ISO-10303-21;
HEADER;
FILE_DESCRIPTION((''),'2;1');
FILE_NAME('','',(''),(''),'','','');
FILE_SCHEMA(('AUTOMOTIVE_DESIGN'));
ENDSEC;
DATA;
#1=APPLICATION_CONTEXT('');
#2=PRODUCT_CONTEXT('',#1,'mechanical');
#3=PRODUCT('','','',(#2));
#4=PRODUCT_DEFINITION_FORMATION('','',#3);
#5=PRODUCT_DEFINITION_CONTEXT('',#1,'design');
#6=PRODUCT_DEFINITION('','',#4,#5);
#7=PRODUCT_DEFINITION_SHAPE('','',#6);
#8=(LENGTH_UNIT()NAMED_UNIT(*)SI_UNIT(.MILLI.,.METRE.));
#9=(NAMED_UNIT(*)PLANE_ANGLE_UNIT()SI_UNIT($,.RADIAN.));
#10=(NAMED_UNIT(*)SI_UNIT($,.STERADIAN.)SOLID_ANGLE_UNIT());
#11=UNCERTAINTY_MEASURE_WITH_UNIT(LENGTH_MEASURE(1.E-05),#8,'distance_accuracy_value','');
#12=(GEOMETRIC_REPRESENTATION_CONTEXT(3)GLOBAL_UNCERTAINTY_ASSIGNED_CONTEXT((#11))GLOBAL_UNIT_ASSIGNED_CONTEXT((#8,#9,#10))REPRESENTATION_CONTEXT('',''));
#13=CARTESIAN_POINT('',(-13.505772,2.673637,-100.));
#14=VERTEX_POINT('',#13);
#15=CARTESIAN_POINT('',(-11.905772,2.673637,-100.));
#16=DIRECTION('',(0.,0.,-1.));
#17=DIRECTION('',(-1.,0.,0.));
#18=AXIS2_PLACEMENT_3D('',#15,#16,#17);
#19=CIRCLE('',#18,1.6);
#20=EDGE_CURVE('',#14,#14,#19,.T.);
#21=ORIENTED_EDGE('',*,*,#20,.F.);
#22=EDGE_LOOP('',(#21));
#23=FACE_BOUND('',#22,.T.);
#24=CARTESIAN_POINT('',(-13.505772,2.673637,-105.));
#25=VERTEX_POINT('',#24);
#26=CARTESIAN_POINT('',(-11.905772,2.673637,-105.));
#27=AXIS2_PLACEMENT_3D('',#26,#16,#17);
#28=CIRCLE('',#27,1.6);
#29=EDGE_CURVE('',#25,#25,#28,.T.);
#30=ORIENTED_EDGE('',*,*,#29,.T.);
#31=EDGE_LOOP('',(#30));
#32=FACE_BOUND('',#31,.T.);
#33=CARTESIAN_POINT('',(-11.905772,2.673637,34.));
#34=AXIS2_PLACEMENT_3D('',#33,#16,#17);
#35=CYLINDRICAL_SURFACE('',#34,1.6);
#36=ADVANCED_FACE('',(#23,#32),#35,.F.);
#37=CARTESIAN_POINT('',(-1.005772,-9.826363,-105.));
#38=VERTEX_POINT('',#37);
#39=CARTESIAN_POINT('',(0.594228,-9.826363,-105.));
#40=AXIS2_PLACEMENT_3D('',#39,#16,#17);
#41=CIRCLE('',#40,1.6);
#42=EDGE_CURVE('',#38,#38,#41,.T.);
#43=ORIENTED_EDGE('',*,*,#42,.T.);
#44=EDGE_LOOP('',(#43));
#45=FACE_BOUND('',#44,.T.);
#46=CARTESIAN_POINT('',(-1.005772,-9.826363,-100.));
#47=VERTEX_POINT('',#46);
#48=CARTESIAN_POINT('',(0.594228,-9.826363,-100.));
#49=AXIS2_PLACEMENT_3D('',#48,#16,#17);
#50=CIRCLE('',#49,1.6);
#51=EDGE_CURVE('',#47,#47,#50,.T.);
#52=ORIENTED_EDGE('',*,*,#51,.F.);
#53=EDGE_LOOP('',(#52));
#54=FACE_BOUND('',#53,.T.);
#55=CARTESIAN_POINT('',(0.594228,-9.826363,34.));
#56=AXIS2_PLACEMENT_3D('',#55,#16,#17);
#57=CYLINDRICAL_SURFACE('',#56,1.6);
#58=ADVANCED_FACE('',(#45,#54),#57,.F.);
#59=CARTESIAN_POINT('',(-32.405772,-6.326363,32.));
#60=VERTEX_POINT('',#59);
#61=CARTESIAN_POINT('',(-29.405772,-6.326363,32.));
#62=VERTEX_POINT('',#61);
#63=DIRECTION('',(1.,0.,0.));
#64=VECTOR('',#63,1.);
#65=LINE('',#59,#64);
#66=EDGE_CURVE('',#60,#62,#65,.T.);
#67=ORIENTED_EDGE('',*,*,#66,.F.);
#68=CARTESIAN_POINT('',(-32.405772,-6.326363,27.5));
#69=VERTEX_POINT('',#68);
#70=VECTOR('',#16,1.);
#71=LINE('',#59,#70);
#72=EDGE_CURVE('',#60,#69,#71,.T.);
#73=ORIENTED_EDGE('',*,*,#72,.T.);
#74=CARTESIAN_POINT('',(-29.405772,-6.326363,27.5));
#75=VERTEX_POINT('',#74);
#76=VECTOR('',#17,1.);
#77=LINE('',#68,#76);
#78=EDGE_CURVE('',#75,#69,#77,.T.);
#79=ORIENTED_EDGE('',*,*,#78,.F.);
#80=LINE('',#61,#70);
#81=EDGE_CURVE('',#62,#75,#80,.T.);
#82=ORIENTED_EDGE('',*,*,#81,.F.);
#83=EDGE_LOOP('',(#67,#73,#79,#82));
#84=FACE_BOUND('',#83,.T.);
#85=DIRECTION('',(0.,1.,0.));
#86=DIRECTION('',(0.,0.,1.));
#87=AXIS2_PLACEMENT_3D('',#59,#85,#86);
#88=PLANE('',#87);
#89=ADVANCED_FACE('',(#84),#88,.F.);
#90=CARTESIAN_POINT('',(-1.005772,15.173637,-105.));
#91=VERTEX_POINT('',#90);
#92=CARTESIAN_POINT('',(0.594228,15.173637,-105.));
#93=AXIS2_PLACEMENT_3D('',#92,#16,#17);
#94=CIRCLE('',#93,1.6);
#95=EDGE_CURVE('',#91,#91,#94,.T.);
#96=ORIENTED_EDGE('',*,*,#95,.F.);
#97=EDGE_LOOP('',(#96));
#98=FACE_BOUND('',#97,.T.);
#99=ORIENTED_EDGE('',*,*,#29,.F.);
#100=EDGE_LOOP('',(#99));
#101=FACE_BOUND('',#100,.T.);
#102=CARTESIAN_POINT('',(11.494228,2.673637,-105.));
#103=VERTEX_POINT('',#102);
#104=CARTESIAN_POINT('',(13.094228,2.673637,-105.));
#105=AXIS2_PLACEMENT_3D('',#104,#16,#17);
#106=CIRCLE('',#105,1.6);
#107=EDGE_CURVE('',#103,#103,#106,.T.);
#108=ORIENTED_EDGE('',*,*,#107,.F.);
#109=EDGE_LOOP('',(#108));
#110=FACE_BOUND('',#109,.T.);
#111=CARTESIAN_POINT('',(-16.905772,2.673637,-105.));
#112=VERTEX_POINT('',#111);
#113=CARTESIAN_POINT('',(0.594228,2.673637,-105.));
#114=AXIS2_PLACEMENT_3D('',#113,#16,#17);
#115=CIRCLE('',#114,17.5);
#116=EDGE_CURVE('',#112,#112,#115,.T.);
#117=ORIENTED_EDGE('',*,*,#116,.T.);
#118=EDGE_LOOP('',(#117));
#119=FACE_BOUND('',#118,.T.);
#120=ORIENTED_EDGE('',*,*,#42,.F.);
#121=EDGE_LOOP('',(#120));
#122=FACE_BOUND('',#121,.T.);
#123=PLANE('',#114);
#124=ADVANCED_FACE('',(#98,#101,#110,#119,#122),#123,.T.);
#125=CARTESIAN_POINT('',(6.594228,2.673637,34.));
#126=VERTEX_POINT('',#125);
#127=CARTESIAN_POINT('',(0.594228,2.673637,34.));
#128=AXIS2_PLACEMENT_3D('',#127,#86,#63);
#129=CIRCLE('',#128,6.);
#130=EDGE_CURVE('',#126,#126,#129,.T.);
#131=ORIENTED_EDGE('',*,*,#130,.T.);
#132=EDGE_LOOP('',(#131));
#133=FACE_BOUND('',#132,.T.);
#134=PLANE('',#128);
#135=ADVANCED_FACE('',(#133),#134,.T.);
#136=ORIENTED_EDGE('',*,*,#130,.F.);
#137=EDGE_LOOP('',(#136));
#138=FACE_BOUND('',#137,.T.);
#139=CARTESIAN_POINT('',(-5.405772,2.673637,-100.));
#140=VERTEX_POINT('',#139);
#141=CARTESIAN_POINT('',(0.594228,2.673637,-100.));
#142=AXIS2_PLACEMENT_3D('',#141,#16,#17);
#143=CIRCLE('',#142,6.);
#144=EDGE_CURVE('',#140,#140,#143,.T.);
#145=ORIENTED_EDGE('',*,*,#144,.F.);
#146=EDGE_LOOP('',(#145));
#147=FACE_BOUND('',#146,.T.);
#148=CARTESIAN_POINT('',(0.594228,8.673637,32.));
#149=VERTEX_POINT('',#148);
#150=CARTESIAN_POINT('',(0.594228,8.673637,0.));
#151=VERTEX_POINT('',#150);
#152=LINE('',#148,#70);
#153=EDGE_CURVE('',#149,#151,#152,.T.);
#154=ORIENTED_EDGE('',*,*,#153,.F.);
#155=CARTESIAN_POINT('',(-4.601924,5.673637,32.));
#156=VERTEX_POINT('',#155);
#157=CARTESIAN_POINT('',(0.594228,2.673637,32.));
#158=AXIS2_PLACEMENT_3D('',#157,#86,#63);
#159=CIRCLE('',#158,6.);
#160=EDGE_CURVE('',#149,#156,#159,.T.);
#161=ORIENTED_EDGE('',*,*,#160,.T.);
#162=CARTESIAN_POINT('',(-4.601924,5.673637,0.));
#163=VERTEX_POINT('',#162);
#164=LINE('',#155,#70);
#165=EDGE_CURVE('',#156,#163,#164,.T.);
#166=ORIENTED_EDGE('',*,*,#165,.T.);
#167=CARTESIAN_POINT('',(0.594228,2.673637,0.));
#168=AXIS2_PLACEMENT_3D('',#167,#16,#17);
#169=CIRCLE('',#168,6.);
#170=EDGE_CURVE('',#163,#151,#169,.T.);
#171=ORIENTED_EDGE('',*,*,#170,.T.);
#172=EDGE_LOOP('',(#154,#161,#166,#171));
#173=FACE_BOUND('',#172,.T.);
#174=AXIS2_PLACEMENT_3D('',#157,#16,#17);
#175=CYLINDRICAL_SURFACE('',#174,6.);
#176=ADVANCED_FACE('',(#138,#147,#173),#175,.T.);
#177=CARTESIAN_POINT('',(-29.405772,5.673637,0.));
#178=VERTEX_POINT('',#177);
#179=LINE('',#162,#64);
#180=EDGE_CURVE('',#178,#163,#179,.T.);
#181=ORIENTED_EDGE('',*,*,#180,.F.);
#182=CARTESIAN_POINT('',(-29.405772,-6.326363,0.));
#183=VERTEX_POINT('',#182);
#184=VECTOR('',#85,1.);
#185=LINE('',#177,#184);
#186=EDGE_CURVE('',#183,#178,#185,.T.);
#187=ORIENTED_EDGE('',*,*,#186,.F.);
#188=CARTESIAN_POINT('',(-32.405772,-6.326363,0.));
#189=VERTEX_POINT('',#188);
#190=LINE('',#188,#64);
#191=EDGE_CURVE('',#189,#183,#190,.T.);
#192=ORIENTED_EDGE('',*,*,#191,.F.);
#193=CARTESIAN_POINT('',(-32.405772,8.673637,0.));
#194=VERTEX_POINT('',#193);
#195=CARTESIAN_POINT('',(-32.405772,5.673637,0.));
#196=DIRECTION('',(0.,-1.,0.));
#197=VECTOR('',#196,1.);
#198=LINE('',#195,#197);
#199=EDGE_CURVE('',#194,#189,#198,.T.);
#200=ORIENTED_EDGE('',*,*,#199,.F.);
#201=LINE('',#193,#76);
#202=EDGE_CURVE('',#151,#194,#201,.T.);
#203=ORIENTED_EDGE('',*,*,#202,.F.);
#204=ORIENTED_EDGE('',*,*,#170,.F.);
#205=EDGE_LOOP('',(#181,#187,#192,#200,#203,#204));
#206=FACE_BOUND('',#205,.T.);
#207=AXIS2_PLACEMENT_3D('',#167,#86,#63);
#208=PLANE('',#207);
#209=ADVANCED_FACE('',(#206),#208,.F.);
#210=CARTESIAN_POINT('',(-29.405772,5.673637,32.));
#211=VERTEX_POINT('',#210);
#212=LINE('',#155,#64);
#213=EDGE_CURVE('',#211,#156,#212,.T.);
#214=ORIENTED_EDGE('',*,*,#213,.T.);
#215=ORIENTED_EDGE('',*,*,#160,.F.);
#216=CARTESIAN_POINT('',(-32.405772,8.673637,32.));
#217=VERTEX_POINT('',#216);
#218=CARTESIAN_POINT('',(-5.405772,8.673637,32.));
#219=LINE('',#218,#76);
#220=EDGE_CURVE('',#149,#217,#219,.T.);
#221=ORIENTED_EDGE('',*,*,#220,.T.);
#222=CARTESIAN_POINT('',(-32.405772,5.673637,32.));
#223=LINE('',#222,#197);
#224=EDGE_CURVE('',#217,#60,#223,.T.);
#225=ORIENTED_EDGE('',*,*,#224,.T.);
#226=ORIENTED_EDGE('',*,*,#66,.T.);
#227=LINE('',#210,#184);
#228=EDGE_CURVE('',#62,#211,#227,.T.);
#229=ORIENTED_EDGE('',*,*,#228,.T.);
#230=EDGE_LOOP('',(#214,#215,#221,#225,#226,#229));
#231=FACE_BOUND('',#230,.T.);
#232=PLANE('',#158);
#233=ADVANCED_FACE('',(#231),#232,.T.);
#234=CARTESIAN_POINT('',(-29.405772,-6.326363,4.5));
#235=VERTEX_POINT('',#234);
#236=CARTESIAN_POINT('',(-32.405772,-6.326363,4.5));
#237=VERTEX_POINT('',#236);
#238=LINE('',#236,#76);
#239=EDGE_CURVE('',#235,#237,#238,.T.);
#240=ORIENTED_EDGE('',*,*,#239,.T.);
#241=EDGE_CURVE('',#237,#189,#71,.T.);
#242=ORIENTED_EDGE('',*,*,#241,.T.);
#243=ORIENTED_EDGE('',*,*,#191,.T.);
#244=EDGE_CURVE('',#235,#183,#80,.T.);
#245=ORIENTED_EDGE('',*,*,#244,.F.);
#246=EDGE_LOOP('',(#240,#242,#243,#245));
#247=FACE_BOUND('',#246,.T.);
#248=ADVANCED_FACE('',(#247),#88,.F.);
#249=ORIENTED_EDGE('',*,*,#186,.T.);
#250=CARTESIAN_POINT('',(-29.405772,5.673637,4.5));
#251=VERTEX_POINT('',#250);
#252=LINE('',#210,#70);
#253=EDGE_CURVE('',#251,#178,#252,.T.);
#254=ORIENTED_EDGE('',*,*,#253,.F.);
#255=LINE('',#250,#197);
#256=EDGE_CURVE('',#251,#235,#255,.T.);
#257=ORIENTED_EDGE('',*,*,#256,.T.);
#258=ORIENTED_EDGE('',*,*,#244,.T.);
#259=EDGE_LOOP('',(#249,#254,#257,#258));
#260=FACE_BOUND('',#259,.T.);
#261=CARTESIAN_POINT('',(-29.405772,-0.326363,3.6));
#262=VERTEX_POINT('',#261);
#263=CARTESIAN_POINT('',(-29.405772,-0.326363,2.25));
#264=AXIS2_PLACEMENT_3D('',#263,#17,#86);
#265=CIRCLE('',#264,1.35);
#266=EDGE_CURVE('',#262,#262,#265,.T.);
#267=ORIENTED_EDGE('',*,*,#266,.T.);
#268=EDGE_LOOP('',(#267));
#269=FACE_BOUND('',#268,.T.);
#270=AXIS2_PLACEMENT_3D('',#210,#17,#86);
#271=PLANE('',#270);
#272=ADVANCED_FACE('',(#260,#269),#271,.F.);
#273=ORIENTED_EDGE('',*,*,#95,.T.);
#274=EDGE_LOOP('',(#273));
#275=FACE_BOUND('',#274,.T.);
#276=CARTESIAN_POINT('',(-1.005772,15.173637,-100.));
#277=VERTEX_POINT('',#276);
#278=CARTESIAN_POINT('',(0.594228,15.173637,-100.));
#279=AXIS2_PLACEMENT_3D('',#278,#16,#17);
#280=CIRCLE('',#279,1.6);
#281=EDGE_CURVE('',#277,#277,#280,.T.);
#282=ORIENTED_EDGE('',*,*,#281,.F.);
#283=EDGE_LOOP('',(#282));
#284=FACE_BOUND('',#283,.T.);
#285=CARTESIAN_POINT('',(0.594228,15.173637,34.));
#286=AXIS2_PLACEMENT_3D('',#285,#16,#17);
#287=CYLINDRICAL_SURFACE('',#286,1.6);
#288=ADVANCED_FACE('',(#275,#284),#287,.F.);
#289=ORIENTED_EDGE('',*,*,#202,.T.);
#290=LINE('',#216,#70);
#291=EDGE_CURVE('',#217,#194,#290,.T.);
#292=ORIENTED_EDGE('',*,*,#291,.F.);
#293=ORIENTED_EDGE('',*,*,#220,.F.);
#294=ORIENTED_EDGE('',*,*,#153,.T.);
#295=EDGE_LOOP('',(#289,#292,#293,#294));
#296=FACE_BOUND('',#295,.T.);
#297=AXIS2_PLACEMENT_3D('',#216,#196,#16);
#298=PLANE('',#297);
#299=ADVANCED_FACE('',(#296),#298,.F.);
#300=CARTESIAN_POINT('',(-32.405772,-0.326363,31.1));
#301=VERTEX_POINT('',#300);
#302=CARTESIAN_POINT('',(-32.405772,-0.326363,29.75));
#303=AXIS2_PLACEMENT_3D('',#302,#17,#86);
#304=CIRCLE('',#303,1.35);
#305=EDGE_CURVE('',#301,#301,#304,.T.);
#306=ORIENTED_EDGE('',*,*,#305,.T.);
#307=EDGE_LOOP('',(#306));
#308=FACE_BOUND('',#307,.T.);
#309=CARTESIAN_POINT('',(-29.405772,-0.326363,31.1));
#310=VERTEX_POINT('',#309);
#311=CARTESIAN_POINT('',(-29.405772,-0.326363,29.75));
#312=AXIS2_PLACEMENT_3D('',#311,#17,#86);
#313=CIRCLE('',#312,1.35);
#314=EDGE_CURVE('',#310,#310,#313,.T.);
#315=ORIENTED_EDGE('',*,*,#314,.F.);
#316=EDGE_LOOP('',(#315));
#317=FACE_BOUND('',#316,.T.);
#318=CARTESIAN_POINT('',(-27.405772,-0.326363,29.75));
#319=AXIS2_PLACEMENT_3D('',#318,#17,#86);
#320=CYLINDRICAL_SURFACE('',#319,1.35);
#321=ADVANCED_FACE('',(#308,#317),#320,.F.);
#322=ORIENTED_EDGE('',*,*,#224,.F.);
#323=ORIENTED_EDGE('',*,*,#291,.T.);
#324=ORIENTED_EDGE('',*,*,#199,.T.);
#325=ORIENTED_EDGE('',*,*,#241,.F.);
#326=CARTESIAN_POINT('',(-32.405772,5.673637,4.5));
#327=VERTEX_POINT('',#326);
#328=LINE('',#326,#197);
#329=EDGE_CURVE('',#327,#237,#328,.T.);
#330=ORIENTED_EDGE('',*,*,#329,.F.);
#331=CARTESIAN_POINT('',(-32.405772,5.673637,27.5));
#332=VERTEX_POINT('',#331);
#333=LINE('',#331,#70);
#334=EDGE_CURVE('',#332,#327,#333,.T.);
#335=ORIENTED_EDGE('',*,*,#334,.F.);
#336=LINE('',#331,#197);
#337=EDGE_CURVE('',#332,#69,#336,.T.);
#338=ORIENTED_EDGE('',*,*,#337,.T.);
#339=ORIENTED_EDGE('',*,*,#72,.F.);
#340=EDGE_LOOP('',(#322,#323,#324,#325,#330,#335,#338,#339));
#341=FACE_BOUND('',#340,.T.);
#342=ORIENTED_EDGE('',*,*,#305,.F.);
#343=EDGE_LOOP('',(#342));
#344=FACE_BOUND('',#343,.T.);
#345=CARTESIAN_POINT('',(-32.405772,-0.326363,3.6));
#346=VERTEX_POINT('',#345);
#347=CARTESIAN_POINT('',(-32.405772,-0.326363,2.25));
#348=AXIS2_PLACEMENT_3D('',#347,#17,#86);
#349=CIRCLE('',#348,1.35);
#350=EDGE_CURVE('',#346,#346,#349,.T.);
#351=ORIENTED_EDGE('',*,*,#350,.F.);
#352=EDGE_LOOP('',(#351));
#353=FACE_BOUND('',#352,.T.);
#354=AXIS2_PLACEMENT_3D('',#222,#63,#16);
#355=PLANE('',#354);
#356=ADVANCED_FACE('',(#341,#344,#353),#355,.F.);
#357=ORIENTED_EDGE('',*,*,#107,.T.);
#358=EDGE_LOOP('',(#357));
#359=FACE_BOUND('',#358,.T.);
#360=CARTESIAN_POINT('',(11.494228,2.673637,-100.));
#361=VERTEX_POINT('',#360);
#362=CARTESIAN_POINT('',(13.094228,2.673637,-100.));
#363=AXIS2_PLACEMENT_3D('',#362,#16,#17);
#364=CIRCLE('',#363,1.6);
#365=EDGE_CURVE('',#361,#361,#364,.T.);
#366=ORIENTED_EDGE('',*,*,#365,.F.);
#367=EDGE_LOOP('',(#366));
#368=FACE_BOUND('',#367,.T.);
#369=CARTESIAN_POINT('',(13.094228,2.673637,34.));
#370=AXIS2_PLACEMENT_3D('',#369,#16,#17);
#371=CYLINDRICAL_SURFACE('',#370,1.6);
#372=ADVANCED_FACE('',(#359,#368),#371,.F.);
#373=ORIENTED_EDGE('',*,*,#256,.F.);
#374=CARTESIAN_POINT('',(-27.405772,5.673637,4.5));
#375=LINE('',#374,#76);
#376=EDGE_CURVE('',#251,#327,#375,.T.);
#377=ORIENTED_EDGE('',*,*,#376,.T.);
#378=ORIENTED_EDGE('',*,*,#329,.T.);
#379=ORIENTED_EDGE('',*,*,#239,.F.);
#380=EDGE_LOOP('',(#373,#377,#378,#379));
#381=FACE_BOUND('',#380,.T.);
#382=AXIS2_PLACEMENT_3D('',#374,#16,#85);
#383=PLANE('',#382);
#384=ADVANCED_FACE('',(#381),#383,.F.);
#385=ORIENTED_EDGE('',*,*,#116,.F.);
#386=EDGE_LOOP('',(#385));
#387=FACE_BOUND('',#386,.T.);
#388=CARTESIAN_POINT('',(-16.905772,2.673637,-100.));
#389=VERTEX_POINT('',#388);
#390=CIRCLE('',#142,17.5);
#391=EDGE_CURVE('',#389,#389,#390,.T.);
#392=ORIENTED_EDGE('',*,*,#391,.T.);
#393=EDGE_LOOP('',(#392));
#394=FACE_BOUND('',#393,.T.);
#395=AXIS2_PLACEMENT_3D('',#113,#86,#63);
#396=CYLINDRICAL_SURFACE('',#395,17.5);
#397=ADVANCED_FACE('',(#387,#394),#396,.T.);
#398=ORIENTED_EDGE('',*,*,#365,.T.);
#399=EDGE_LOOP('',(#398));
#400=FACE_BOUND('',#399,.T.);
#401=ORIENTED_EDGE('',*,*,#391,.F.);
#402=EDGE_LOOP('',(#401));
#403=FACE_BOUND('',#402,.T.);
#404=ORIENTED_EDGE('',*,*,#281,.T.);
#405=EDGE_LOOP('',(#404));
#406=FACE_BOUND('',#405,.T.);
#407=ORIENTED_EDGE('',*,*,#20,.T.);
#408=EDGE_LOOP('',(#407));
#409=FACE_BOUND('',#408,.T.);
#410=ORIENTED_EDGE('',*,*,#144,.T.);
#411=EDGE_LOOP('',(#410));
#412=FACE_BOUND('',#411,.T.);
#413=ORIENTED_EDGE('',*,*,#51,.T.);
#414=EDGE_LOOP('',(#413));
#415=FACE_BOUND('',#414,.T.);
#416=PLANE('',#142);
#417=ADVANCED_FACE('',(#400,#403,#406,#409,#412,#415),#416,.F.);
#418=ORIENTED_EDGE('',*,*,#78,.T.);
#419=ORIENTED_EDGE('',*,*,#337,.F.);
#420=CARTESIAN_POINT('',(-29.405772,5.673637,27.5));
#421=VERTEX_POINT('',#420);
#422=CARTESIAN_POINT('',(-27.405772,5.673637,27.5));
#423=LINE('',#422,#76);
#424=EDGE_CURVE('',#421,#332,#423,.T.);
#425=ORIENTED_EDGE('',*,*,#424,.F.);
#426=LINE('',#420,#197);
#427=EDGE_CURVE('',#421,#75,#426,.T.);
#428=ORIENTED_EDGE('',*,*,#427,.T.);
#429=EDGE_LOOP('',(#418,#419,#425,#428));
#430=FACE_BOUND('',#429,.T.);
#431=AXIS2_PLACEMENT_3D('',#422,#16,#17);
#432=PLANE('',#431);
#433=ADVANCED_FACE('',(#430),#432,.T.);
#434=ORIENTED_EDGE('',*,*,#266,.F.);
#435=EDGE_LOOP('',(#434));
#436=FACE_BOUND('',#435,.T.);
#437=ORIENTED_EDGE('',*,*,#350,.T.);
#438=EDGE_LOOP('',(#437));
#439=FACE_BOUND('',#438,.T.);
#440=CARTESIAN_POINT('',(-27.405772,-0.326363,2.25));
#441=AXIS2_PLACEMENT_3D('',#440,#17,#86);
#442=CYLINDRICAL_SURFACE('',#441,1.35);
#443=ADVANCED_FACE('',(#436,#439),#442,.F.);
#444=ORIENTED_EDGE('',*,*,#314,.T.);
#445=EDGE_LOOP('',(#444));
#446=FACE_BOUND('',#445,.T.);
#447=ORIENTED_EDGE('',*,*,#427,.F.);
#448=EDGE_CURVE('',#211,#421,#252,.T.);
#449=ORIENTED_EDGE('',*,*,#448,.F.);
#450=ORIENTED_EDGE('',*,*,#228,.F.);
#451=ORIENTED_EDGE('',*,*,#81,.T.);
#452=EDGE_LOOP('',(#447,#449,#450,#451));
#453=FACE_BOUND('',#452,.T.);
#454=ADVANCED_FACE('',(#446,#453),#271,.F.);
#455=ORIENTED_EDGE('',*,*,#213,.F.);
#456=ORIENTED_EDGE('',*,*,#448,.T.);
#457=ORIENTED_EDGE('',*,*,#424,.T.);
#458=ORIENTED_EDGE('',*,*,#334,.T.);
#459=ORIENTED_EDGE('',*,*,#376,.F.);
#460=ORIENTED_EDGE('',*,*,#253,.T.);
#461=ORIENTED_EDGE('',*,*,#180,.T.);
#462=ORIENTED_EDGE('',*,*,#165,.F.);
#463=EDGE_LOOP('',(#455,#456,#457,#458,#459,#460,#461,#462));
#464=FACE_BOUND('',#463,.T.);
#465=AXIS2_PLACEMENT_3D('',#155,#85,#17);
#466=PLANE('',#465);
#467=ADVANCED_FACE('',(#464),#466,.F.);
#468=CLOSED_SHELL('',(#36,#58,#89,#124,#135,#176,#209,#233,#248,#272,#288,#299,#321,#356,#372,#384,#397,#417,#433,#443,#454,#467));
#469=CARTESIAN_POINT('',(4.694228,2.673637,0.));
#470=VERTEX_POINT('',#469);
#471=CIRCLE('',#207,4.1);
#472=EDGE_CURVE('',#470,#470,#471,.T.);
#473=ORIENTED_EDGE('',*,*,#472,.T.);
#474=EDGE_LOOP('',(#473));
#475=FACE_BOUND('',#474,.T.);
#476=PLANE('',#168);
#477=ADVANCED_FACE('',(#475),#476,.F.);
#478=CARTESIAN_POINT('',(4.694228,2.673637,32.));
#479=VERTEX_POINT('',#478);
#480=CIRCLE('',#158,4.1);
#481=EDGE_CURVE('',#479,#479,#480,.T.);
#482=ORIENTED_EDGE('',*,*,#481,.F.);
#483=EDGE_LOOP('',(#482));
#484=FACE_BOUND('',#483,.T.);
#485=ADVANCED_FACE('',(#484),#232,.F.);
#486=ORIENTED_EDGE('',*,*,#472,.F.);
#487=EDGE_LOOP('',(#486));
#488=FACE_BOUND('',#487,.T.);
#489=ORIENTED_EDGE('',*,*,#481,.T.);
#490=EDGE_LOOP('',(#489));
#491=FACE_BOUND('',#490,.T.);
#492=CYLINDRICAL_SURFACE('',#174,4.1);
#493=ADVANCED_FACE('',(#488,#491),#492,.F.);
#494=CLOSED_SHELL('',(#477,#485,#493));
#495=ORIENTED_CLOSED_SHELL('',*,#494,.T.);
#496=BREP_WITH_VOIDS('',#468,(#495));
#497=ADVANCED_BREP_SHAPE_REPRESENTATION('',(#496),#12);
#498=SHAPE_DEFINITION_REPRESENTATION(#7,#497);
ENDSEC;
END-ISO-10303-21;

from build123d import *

# Parameters (mm, degrees)
SKETCH_1_R          = 4.1
EXTRUDE_1_DEPTH     = 32
SKETCH_3_R          = 1.35
SKETCH_3_W          = 23
SKETCH_3_H          = 12
CUT_EXTRUDE_1_DEPTH = 5
SKETCH_5_R          = 6
EXTRUDE_2_DEPTH     = 2
SKETCH_6_R          = 6
EXTRUDE_3_DEPTH     = 100
SKETCH_7_R          = 17.5
EXTRUDE_4_DEPTH     = 5
SKETCH_9_R          = 1.6
CUT_EXTRUDE_3_DEPTH = 140


with BuildPart() as part:
    # 草图1 → 凸台-拉伸1 (new body)
    with BuildSketch(Plane.XY):
        with BuildLine():
            Line((-32.405771928, 8.673637409), (-5.405771928, 8.673637409))
            Line((-5.405771928, 8.673637409), (0.594228072, 8.673637409))
            ThreePointArc((0.594228072, 8.673637409), (3.594228072, -2.522515014), (-4.601924351, 5.673637409))
            Line((-4.601924351, 5.673637409), (-29.405771928, 5.673637409))
            Line((-29.405771928, 5.673637409), (-29.405771928, -6.326362591))
            Line((-29.405771928, -6.326362591), (-32.405771928, -6.326362591))
            Line((-32.405771928, -6.326362591), (-32.405771928, 5.673637409))
            Line((-32.405771928, 5.673637409), (-32.405771928, 8.673637409))
        make_face()
        with Locations((0.594228072, 2.673637409)):
            Circle(SKETCH_1_R, mode=Mode.SUBTRACT)
    extrude(amount=EXTRUDE_1_DEPTH)

    # 草图3 → 切除-拉伸1 (cut)
    with BuildSketch(Plane.ZY.offset(32.405771928)):
        with Locations((29.75, -0.326362591)):
            Circle(SKETCH_3_R)
        with Locations((2.25, -0.326362591)):
            Circle(SKETCH_3_R)
        with Locations((16, -0.326362591)):
            Rectangle(SKETCH_3_W, SKETCH_3_H)
    extrude(amount=-CUT_EXTRUDE_1_DEPTH, mode=Mode.SUBTRACT)

    # 草图5 → 凸台-拉伸2 (add)
    with BuildSketch(Plane.XY.offset(32)):
        with Locations((0.594228072, 2.673637409)):
            Circle(SKETCH_5_R)
    extrude(amount=EXTRUDE_2_DEPTH)

    # 草图6 → 凸台-拉伸3 (add)
    with BuildSketch(Plane(origin=(0, 0, 0), x_dir=(-1, 0, 0), z_dir=(0, 0, -1))):
        with Locations((-0.594228072, 2.673637409)):
            Circle(SKETCH_6_R)
    extrude(amount=EXTRUDE_3_DEPTH)

    # 草图7 → 凸台-拉伸4 (add)
    with BuildSketch(Plane(origin=(0, 0, -100), x_dir=(-1, 0, 0), z_dir=(0, 0, -1))):
        with Locations((-0.594228072, 2.673637409)):
            Circle(SKETCH_7_R)
    extrude(amount=EXTRUDE_4_DEPTH)

    # 草图9 → 切除-拉伸3 (cut, through all)
    with BuildSketch(Plane(origin=(0, 0, -105), x_dir=(-1, 0, 0), z_dir=(0, 0, -1))):
        with Locations((11.905771928, 2.673637409)):
            Circle(SKETCH_9_R)
        with Locations((-0.594228072, 15.173637409)):
            Circle(SKETCH_9_R)
        with Locations((-13.094228072, 2.673637409)):
            Circle(SKETCH_9_R)
        with Locations((-0.594228072, -9.826362591)):
            Circle(SKETCH_9_R)
    extrude(amount=-CUT_EXTRUDE_3_DEPTH, mode=Mode.SUBTRACT)


solid = part.part
